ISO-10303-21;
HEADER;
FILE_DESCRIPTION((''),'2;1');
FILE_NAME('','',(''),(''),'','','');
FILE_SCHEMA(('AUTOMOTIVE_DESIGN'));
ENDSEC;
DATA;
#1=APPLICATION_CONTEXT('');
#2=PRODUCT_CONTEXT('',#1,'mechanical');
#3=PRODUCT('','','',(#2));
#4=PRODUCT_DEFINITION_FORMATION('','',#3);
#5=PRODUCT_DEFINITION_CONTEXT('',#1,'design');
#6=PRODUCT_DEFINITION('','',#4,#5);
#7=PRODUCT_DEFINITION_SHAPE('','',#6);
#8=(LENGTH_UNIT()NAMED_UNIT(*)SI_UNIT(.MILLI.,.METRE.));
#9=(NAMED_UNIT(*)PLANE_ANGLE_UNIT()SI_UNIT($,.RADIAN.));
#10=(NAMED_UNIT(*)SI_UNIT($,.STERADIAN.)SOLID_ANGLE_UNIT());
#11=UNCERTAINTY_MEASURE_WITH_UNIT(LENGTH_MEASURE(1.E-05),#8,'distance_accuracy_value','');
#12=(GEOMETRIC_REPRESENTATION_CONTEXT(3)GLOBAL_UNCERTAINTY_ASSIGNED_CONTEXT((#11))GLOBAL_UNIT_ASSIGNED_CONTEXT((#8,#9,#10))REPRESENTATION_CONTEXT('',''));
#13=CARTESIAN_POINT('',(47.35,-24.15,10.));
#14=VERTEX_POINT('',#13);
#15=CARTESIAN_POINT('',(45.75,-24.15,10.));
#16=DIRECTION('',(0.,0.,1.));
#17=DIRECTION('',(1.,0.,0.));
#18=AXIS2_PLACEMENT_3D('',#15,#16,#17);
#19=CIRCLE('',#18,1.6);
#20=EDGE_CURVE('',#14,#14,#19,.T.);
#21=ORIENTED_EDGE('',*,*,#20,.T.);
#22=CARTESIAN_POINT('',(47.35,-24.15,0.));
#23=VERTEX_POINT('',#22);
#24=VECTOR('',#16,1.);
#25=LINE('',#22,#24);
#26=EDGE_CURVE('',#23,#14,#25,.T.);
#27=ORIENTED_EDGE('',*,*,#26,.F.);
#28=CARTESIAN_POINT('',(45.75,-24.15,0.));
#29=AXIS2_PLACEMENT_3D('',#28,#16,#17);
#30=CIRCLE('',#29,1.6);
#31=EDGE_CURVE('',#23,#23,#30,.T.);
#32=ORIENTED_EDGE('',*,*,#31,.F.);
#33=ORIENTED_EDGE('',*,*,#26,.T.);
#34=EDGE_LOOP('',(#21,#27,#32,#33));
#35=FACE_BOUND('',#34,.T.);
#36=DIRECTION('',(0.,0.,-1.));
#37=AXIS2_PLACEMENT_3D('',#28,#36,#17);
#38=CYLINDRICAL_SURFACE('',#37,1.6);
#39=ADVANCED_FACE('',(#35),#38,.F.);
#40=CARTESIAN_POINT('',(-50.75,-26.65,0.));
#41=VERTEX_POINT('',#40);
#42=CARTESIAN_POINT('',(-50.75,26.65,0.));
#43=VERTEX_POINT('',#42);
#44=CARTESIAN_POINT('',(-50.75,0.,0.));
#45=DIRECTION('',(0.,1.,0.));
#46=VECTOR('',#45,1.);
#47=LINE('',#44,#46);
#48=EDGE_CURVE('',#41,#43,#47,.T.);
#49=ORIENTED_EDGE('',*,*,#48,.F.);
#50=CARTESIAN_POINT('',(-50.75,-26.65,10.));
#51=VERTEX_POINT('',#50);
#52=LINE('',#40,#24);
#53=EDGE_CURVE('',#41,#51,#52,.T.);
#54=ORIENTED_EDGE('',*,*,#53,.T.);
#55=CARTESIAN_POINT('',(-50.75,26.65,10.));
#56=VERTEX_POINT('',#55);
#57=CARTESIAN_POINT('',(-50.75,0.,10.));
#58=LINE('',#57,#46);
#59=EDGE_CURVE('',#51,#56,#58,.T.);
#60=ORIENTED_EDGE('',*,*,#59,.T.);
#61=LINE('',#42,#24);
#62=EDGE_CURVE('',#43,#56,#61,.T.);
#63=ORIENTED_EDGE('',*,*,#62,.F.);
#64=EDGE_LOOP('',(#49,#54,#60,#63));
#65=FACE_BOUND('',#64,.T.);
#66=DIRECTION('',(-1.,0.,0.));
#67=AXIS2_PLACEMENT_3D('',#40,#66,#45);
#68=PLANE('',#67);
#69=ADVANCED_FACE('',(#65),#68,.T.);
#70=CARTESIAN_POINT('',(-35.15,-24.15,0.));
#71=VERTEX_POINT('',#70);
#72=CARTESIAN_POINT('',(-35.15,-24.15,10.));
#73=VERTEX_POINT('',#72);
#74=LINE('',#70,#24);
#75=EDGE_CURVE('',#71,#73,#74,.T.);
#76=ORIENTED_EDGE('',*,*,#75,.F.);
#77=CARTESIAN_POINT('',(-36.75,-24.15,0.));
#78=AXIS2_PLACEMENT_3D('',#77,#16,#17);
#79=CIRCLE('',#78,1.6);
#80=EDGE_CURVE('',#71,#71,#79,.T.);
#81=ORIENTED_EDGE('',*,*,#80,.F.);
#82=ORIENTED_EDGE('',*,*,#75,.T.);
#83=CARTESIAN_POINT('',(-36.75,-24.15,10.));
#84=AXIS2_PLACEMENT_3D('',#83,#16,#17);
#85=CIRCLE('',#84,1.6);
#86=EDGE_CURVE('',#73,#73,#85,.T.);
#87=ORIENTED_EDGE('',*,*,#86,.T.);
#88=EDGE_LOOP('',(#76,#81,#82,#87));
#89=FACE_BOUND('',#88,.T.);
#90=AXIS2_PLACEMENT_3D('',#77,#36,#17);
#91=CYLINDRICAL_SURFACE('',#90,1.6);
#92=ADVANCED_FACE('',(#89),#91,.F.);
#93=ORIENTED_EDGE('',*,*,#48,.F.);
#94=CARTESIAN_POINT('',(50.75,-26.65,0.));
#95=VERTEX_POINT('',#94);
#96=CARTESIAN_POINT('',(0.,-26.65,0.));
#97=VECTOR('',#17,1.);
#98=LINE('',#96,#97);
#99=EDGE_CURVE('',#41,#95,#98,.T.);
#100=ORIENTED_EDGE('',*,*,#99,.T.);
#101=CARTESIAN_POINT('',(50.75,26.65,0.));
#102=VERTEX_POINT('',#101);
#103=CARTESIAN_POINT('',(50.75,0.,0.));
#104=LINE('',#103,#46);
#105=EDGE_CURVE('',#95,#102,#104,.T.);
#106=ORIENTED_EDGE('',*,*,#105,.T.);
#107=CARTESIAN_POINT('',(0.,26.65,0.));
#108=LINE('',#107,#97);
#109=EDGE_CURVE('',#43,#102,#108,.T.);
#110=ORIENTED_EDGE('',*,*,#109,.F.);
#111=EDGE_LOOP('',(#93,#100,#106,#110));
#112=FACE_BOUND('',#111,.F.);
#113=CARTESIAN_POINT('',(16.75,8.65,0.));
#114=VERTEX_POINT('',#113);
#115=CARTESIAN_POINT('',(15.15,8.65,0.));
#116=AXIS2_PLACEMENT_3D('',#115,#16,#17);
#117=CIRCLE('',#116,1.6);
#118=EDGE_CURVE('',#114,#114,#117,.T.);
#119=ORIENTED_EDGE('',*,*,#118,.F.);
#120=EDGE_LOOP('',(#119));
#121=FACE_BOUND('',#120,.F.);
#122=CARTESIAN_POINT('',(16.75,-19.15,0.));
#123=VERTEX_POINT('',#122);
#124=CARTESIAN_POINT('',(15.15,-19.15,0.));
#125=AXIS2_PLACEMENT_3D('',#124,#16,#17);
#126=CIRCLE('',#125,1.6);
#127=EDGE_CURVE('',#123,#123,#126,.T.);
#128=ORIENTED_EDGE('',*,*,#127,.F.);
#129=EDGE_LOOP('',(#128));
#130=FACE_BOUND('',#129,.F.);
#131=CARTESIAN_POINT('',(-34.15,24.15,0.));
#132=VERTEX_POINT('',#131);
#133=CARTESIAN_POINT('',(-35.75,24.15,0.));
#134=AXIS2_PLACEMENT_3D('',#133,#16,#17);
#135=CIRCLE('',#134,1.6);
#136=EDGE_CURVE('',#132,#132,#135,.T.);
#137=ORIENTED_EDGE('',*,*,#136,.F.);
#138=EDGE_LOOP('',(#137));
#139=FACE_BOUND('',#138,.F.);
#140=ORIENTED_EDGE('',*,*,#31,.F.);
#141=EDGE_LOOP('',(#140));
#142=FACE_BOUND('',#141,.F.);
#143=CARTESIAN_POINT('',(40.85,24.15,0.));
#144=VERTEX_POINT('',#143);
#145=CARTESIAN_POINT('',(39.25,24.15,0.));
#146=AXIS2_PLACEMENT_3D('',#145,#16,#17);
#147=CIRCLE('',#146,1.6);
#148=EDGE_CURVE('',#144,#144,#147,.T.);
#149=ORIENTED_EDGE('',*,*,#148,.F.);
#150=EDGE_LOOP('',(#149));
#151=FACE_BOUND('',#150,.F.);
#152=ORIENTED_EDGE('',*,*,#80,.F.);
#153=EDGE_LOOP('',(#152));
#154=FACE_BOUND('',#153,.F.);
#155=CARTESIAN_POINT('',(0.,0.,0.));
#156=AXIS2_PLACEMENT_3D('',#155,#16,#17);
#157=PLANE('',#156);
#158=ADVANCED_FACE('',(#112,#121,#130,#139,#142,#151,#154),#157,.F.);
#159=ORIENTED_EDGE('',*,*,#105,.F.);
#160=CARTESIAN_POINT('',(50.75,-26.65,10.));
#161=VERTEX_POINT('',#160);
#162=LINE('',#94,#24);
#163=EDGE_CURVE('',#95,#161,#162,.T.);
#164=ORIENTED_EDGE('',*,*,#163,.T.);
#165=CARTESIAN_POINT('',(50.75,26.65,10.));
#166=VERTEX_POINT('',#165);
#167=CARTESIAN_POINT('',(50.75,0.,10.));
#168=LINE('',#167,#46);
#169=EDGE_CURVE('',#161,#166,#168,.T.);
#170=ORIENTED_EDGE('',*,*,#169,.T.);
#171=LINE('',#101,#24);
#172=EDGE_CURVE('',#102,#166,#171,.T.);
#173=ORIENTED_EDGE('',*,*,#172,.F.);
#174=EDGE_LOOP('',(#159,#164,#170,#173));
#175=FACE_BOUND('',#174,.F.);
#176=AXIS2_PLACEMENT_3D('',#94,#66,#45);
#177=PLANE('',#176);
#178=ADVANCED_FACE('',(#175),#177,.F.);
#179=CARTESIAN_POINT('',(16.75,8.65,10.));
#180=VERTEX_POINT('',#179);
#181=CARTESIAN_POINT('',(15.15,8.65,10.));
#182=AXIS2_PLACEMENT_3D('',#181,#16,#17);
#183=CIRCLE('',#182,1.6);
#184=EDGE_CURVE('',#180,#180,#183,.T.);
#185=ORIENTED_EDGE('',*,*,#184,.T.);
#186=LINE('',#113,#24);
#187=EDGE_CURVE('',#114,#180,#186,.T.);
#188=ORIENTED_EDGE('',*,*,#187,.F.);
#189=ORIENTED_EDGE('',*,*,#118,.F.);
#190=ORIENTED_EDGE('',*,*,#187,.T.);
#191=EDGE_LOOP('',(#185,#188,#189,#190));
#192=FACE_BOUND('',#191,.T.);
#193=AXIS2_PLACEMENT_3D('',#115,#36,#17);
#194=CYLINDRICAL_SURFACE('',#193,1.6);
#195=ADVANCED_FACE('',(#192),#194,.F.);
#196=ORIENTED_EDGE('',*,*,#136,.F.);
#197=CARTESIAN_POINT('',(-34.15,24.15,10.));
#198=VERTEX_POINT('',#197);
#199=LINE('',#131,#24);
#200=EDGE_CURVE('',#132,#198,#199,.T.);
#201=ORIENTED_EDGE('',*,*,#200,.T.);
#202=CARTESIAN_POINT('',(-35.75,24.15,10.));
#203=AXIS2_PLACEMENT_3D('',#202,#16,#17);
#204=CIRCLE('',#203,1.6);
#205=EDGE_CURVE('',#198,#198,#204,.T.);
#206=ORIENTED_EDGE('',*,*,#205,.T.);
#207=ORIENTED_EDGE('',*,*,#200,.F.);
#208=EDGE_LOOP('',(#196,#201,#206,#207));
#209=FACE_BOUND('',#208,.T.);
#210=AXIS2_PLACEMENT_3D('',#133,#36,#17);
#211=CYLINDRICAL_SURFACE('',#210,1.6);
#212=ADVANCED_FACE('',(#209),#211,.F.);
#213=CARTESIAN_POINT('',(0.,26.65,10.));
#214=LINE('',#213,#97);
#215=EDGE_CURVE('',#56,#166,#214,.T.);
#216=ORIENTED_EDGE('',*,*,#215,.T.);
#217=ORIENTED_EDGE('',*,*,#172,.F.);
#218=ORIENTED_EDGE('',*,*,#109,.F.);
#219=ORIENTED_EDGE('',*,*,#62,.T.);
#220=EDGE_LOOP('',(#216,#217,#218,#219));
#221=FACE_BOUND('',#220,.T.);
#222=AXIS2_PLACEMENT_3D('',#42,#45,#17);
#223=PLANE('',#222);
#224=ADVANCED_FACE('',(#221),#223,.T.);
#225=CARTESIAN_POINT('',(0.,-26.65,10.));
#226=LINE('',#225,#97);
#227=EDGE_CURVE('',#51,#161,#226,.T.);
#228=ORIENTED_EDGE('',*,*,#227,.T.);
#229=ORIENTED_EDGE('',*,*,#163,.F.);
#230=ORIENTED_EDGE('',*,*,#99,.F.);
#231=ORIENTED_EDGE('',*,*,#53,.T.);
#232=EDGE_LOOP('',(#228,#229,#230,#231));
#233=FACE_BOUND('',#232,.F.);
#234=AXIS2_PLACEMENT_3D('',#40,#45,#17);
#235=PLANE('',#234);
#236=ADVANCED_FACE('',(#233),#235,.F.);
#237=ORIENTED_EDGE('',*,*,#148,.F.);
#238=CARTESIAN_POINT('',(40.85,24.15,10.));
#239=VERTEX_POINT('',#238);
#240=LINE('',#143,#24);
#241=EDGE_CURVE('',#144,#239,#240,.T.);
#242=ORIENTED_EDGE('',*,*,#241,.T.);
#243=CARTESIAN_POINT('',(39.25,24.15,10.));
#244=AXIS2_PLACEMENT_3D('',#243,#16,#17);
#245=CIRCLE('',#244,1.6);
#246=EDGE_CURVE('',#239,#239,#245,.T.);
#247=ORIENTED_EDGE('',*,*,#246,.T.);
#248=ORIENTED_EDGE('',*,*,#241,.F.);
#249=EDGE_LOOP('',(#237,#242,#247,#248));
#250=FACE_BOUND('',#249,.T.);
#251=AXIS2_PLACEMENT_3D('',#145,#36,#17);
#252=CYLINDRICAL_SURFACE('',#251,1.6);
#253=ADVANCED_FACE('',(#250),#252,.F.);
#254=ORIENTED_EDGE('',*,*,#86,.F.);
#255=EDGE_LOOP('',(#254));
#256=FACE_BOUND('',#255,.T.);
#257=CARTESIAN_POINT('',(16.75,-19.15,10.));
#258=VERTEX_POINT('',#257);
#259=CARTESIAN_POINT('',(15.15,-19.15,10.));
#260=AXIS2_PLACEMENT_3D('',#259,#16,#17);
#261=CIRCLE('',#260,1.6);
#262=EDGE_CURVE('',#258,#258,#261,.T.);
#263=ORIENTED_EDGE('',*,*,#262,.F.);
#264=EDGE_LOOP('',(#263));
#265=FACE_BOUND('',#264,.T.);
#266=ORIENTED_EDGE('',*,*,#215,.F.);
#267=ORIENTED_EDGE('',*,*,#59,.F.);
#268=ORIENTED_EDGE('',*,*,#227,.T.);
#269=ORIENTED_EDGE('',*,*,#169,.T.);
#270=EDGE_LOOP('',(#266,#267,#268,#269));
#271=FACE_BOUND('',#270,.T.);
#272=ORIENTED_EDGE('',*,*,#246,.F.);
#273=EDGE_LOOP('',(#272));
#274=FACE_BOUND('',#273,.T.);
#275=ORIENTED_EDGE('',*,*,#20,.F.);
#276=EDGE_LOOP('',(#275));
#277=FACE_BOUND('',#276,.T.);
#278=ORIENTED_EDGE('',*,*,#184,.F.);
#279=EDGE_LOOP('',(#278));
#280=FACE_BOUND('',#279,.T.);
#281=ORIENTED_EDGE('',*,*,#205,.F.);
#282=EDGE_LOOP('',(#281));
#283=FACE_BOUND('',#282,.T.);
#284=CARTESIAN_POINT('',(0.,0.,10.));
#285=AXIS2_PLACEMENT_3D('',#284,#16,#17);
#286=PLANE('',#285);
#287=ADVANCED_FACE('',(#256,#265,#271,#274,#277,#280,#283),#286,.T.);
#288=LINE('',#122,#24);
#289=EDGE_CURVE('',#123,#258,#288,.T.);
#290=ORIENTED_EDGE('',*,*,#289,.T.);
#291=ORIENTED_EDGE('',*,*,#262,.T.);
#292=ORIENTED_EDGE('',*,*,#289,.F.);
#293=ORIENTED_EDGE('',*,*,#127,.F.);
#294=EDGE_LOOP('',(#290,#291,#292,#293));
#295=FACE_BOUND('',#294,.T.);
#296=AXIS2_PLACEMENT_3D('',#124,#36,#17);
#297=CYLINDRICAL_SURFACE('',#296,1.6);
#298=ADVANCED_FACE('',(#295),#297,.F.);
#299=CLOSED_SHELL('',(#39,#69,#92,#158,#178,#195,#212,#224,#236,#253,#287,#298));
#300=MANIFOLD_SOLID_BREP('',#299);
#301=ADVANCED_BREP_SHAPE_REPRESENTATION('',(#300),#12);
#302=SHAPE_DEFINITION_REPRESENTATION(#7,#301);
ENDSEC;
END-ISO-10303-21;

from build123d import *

# Parameters (mm, degrees)
F0_W     = 101.5
F0_H     = 53.3
F0_R     = 1.6
F1_DEPTH = 10


with BuildPart() as f1:
    # F0 (on Top) → F1 (new body)
    with BuildSketch(Plane.XY):
        Rectangle(F0_W, F0_H)
        with Locations((-36.75, -24.15)):
            Circle(F0_R, mode=Mode.SUBTRACT)
        with Locations((15.15, -19.15)):
            Circle(F0_R, mode=Mode.SUBTRACT)
        with Locations((45.75, -24.15)):
            Circle(F0_R, mode=Mode.SUBTRACT)
        with Locations((-35.75, 24.15)):
            Circle(F0_R, mode=Mode.SUBTRACT)
        with Locations((15.15, 8.65)):
            Circle(F0_R, mode=Mode.SUBTRACT)
        with Locations((39.25, 24.15)):
            Circle(F0_R, mode=Mode.SUBTRACT)
    extrude(amount=F1_DEPTH)


solid = f1.part
